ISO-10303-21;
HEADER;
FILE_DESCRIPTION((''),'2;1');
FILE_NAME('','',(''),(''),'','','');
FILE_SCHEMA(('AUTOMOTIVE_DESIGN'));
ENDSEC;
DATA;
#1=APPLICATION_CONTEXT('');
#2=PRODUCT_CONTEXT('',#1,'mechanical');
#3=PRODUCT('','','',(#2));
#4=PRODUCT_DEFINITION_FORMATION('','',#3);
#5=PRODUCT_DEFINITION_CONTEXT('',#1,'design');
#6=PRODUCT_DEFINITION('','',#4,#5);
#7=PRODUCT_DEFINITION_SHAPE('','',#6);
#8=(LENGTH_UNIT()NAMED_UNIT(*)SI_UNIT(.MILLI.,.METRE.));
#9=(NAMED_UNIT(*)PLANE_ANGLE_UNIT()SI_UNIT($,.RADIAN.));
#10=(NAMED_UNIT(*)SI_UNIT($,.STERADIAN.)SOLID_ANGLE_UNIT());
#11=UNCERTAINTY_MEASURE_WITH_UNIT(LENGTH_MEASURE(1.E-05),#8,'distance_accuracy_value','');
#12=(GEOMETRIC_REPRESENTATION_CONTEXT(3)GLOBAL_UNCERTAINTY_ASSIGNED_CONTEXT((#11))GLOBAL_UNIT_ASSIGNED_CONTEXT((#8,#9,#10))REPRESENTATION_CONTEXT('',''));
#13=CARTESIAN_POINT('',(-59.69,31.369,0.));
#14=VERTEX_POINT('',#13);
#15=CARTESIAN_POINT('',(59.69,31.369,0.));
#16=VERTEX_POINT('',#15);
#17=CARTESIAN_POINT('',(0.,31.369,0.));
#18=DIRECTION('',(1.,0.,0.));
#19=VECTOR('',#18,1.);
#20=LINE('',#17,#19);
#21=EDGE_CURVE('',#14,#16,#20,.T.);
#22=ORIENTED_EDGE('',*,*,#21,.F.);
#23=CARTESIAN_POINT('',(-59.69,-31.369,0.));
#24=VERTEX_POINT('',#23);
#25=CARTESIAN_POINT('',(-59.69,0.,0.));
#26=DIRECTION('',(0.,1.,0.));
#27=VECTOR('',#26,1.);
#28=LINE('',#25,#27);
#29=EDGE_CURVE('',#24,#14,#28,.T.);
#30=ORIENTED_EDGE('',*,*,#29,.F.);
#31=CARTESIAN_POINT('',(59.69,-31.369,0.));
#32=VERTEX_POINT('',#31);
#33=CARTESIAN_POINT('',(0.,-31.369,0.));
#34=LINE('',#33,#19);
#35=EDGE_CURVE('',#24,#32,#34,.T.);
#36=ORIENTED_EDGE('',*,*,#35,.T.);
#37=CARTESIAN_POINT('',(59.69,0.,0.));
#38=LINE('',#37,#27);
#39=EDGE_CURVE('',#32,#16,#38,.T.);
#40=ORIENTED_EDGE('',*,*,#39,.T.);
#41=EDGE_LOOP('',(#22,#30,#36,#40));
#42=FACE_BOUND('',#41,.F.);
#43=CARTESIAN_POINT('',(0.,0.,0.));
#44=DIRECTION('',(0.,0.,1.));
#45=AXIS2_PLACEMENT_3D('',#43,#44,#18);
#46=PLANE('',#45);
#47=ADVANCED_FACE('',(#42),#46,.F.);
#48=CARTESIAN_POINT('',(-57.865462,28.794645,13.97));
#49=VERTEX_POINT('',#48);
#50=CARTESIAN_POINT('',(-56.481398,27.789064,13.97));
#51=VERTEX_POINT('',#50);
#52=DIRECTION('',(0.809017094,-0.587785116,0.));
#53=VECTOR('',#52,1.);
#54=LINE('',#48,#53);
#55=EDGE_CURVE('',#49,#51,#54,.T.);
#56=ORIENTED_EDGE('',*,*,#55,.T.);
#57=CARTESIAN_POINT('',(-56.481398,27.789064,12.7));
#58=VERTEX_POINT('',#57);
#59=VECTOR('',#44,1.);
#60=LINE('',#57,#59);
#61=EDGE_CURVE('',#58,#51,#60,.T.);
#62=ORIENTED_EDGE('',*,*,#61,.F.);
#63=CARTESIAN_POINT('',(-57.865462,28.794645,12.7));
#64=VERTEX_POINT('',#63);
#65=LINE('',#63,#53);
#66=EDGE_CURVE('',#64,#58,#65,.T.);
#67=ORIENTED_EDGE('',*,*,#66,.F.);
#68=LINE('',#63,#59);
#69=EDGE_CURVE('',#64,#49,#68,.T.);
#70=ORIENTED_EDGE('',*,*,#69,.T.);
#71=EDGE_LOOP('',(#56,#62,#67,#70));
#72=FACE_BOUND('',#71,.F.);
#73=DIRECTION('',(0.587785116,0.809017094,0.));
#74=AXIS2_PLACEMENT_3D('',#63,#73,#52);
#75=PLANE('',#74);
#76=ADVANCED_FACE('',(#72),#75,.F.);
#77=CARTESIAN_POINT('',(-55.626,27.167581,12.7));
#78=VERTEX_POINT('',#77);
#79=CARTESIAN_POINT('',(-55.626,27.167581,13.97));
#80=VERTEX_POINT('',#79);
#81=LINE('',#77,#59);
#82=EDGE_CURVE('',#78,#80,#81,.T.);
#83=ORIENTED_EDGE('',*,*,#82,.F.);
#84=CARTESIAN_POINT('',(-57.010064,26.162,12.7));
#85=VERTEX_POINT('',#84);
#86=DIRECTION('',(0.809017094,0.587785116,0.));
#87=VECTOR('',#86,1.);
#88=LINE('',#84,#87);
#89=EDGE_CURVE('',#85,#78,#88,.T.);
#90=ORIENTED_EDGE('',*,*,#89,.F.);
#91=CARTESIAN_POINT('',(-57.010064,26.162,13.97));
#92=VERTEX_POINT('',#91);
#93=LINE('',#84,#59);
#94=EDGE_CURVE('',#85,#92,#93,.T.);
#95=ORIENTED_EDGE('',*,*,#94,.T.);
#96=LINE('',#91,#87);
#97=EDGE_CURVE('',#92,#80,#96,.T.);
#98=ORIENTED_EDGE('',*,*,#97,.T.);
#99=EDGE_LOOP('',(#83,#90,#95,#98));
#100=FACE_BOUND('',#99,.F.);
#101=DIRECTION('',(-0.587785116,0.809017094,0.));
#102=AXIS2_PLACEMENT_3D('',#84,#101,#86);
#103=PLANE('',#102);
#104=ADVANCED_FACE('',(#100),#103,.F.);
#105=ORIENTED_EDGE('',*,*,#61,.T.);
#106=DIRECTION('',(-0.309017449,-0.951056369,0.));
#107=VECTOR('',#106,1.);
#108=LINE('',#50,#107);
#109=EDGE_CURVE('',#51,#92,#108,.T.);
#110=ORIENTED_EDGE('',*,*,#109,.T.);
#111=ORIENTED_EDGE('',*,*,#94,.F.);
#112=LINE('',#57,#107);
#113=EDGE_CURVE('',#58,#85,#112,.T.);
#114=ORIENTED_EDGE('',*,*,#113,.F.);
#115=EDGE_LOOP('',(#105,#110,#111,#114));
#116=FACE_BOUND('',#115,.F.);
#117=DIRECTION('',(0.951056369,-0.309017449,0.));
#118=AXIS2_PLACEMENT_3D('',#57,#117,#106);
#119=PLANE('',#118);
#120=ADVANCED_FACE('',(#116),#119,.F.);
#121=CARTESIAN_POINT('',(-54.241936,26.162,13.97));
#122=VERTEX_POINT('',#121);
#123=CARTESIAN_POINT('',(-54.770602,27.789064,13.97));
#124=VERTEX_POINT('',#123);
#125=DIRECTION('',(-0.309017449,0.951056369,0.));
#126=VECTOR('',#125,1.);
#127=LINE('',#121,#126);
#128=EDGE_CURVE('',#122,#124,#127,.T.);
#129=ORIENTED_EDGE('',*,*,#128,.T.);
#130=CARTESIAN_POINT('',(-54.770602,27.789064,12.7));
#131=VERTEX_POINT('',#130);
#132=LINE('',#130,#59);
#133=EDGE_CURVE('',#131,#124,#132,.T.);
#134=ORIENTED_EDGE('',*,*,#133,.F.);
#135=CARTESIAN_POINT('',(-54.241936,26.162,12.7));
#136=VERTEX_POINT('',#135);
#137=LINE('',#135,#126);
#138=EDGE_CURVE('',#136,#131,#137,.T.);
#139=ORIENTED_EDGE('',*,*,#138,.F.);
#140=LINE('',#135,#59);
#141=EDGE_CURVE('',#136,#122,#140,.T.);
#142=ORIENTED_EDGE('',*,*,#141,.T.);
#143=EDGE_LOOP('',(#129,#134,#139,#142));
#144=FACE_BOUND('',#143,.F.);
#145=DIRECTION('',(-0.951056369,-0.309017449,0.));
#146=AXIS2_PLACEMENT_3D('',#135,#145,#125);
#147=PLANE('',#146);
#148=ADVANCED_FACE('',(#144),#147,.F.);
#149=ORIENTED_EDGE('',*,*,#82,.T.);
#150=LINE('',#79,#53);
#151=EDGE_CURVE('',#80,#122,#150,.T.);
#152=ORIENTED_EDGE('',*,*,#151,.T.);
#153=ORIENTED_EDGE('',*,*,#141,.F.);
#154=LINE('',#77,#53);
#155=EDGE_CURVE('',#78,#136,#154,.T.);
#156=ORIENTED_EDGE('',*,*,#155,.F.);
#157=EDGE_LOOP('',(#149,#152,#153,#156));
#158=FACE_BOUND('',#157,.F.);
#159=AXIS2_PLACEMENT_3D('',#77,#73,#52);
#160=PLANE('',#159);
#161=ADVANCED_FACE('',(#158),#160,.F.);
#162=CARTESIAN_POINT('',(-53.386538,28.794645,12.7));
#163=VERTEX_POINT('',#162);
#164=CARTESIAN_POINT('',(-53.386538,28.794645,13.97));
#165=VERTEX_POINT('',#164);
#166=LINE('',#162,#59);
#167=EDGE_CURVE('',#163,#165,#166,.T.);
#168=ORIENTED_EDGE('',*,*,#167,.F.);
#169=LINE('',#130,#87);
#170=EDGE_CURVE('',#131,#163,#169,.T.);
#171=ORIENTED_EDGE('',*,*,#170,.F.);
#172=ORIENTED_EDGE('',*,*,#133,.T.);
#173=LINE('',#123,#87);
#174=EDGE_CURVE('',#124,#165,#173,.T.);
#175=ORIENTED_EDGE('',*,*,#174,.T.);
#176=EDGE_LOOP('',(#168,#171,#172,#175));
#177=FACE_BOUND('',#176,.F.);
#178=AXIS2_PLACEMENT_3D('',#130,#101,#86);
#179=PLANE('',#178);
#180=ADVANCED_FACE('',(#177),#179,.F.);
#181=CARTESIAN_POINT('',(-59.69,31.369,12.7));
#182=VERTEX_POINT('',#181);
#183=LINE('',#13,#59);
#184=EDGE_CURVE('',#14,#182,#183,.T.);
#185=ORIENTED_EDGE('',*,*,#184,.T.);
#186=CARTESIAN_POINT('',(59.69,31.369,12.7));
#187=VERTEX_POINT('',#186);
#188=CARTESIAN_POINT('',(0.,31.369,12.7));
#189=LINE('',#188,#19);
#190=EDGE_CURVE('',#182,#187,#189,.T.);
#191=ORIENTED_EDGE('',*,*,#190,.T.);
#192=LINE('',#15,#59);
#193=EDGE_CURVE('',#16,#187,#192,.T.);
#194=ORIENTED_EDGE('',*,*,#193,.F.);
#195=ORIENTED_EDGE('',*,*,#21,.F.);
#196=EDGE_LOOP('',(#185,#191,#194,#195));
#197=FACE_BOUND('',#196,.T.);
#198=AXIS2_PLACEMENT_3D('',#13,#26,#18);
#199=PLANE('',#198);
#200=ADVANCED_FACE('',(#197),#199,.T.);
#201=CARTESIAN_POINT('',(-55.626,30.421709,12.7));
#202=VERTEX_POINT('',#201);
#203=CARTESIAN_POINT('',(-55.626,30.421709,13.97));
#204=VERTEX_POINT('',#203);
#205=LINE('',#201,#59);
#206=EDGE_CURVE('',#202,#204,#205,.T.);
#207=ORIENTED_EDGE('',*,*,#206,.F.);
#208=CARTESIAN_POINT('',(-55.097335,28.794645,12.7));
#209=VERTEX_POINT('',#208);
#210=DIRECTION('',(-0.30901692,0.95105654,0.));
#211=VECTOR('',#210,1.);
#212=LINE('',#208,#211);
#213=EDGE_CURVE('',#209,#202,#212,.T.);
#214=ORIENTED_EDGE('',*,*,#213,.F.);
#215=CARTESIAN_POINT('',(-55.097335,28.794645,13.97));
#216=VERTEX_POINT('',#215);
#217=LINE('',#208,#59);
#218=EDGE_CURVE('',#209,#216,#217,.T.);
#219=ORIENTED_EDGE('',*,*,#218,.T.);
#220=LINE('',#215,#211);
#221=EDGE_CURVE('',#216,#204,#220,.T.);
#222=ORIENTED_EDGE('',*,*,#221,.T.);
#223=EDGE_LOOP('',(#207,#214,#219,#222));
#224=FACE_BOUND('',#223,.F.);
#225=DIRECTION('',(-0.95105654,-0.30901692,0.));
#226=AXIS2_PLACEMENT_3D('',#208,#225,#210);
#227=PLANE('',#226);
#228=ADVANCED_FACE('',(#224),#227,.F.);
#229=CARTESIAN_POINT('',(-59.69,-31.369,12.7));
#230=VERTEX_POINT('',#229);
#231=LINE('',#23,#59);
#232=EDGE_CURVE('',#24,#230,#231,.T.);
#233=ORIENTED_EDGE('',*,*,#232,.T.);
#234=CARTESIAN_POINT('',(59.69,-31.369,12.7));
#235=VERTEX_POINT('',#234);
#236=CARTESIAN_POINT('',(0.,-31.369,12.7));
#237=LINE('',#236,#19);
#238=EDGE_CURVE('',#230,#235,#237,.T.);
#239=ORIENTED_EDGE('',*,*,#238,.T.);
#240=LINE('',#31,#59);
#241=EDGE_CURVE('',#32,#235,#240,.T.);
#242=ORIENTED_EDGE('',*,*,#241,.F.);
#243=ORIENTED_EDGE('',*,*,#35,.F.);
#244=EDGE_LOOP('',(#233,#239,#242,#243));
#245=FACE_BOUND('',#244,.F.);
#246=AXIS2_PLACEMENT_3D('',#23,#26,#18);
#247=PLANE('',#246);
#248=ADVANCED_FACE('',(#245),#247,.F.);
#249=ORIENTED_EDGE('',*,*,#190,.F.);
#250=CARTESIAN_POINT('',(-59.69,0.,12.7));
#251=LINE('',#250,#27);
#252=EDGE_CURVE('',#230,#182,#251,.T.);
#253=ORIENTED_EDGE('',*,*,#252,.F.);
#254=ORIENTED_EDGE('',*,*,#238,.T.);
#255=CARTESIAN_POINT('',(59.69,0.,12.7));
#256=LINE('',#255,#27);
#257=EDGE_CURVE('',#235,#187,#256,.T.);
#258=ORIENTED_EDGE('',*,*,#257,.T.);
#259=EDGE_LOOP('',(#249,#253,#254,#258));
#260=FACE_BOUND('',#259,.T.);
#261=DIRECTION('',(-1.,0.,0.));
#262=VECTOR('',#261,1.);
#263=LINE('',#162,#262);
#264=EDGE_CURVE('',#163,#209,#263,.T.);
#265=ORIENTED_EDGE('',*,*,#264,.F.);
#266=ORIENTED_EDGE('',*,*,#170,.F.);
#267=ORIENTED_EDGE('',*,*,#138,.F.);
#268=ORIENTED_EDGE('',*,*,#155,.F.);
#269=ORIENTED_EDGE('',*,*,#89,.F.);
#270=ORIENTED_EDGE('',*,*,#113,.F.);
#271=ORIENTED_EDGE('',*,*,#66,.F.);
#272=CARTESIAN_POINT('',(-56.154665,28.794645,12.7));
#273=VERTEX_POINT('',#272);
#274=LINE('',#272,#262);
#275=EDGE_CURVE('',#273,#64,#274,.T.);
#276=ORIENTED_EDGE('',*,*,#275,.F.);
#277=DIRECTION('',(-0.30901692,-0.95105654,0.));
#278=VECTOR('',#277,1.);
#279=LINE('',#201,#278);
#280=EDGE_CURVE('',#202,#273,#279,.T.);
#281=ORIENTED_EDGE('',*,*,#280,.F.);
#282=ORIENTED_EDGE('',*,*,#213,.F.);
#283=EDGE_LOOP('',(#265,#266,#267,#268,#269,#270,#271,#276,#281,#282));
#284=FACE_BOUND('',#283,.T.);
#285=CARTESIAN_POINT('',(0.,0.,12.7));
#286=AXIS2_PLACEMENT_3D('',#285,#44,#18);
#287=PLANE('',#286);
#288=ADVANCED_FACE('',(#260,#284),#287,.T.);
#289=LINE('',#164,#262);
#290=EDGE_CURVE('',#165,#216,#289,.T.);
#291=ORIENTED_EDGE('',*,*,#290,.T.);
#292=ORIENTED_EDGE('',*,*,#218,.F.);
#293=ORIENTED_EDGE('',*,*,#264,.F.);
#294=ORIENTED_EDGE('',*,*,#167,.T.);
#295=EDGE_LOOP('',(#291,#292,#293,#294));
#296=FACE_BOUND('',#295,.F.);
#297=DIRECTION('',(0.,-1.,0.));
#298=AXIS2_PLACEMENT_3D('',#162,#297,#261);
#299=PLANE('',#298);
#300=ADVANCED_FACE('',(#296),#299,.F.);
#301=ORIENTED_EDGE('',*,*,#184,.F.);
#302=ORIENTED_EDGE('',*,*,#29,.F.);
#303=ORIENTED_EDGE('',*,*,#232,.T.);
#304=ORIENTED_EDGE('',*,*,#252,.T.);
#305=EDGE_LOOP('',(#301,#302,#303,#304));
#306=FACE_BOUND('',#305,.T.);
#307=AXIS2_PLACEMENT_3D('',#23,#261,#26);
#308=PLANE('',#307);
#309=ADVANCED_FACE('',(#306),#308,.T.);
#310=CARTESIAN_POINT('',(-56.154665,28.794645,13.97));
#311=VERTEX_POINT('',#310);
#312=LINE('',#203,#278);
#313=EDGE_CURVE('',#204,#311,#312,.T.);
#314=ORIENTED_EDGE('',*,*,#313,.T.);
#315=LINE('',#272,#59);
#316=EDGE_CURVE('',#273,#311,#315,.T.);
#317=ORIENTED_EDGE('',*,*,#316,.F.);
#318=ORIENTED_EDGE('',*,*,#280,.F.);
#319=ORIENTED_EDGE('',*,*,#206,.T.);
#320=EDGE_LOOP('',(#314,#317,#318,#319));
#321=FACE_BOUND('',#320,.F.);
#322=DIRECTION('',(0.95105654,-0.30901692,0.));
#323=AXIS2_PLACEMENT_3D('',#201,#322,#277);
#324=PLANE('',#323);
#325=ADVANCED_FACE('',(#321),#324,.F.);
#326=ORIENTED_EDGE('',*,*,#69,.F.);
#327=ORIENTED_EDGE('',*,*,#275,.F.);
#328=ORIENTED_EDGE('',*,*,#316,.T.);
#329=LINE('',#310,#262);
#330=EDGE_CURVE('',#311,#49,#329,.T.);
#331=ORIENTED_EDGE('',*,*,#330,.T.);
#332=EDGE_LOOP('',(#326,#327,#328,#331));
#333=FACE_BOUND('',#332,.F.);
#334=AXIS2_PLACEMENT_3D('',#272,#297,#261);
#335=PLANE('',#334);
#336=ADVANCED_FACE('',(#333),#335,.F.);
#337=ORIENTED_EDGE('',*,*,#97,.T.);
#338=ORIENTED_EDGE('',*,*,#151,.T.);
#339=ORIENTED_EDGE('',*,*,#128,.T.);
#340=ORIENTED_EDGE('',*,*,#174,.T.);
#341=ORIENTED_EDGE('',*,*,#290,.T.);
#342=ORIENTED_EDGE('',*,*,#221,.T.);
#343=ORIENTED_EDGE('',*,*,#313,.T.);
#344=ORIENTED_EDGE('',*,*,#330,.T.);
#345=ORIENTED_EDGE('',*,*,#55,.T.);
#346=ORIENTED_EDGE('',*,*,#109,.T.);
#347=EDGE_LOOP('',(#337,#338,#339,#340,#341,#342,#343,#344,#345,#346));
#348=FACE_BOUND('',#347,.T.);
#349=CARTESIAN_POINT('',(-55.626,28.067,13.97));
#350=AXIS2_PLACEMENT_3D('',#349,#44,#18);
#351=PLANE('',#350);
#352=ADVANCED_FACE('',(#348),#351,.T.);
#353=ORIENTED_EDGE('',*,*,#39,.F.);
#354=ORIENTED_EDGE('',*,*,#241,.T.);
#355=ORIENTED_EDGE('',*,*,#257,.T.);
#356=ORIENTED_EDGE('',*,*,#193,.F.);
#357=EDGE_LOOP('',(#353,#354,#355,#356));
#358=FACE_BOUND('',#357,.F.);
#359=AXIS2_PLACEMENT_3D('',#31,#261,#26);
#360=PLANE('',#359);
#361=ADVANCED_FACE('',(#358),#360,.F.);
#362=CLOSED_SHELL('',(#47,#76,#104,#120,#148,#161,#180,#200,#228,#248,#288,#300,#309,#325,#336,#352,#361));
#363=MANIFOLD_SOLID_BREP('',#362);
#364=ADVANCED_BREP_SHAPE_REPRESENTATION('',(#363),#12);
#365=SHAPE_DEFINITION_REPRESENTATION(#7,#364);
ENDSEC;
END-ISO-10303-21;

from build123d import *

# Parameters (mm, degrees)
F0_W     = 119.38
F0_H     = 62.738
F1_DEPTH = 12.7
F3_DEPTH = 1.27


with BuildPart() as f1:
    # F0 (on Top) → F1 (new body)
    with BuildSketch(Plane.XY):
        Rectangle(F0_W, F0_H)
    extrude(amount=F1_DEPTH)

    # F2 (on face) → F3 (join)
    with BuildSketch(Plane.XY.offset(12.7)):
        Polygon((-55.097335, 28.794645), (-55.626, 30.421709), (-56.154665, 28.794645), (-57.865462, 28.794645), (-56.481398, 27.789064), (-57.010064, 26.162), (-55.626, 27.167581), (-54.241936, 26.162), (-54.770602, 27.789064), (-53.386538, 28.794645), align=None)
    extrude(amount=F3_DEPTH)


solid = f1.part
